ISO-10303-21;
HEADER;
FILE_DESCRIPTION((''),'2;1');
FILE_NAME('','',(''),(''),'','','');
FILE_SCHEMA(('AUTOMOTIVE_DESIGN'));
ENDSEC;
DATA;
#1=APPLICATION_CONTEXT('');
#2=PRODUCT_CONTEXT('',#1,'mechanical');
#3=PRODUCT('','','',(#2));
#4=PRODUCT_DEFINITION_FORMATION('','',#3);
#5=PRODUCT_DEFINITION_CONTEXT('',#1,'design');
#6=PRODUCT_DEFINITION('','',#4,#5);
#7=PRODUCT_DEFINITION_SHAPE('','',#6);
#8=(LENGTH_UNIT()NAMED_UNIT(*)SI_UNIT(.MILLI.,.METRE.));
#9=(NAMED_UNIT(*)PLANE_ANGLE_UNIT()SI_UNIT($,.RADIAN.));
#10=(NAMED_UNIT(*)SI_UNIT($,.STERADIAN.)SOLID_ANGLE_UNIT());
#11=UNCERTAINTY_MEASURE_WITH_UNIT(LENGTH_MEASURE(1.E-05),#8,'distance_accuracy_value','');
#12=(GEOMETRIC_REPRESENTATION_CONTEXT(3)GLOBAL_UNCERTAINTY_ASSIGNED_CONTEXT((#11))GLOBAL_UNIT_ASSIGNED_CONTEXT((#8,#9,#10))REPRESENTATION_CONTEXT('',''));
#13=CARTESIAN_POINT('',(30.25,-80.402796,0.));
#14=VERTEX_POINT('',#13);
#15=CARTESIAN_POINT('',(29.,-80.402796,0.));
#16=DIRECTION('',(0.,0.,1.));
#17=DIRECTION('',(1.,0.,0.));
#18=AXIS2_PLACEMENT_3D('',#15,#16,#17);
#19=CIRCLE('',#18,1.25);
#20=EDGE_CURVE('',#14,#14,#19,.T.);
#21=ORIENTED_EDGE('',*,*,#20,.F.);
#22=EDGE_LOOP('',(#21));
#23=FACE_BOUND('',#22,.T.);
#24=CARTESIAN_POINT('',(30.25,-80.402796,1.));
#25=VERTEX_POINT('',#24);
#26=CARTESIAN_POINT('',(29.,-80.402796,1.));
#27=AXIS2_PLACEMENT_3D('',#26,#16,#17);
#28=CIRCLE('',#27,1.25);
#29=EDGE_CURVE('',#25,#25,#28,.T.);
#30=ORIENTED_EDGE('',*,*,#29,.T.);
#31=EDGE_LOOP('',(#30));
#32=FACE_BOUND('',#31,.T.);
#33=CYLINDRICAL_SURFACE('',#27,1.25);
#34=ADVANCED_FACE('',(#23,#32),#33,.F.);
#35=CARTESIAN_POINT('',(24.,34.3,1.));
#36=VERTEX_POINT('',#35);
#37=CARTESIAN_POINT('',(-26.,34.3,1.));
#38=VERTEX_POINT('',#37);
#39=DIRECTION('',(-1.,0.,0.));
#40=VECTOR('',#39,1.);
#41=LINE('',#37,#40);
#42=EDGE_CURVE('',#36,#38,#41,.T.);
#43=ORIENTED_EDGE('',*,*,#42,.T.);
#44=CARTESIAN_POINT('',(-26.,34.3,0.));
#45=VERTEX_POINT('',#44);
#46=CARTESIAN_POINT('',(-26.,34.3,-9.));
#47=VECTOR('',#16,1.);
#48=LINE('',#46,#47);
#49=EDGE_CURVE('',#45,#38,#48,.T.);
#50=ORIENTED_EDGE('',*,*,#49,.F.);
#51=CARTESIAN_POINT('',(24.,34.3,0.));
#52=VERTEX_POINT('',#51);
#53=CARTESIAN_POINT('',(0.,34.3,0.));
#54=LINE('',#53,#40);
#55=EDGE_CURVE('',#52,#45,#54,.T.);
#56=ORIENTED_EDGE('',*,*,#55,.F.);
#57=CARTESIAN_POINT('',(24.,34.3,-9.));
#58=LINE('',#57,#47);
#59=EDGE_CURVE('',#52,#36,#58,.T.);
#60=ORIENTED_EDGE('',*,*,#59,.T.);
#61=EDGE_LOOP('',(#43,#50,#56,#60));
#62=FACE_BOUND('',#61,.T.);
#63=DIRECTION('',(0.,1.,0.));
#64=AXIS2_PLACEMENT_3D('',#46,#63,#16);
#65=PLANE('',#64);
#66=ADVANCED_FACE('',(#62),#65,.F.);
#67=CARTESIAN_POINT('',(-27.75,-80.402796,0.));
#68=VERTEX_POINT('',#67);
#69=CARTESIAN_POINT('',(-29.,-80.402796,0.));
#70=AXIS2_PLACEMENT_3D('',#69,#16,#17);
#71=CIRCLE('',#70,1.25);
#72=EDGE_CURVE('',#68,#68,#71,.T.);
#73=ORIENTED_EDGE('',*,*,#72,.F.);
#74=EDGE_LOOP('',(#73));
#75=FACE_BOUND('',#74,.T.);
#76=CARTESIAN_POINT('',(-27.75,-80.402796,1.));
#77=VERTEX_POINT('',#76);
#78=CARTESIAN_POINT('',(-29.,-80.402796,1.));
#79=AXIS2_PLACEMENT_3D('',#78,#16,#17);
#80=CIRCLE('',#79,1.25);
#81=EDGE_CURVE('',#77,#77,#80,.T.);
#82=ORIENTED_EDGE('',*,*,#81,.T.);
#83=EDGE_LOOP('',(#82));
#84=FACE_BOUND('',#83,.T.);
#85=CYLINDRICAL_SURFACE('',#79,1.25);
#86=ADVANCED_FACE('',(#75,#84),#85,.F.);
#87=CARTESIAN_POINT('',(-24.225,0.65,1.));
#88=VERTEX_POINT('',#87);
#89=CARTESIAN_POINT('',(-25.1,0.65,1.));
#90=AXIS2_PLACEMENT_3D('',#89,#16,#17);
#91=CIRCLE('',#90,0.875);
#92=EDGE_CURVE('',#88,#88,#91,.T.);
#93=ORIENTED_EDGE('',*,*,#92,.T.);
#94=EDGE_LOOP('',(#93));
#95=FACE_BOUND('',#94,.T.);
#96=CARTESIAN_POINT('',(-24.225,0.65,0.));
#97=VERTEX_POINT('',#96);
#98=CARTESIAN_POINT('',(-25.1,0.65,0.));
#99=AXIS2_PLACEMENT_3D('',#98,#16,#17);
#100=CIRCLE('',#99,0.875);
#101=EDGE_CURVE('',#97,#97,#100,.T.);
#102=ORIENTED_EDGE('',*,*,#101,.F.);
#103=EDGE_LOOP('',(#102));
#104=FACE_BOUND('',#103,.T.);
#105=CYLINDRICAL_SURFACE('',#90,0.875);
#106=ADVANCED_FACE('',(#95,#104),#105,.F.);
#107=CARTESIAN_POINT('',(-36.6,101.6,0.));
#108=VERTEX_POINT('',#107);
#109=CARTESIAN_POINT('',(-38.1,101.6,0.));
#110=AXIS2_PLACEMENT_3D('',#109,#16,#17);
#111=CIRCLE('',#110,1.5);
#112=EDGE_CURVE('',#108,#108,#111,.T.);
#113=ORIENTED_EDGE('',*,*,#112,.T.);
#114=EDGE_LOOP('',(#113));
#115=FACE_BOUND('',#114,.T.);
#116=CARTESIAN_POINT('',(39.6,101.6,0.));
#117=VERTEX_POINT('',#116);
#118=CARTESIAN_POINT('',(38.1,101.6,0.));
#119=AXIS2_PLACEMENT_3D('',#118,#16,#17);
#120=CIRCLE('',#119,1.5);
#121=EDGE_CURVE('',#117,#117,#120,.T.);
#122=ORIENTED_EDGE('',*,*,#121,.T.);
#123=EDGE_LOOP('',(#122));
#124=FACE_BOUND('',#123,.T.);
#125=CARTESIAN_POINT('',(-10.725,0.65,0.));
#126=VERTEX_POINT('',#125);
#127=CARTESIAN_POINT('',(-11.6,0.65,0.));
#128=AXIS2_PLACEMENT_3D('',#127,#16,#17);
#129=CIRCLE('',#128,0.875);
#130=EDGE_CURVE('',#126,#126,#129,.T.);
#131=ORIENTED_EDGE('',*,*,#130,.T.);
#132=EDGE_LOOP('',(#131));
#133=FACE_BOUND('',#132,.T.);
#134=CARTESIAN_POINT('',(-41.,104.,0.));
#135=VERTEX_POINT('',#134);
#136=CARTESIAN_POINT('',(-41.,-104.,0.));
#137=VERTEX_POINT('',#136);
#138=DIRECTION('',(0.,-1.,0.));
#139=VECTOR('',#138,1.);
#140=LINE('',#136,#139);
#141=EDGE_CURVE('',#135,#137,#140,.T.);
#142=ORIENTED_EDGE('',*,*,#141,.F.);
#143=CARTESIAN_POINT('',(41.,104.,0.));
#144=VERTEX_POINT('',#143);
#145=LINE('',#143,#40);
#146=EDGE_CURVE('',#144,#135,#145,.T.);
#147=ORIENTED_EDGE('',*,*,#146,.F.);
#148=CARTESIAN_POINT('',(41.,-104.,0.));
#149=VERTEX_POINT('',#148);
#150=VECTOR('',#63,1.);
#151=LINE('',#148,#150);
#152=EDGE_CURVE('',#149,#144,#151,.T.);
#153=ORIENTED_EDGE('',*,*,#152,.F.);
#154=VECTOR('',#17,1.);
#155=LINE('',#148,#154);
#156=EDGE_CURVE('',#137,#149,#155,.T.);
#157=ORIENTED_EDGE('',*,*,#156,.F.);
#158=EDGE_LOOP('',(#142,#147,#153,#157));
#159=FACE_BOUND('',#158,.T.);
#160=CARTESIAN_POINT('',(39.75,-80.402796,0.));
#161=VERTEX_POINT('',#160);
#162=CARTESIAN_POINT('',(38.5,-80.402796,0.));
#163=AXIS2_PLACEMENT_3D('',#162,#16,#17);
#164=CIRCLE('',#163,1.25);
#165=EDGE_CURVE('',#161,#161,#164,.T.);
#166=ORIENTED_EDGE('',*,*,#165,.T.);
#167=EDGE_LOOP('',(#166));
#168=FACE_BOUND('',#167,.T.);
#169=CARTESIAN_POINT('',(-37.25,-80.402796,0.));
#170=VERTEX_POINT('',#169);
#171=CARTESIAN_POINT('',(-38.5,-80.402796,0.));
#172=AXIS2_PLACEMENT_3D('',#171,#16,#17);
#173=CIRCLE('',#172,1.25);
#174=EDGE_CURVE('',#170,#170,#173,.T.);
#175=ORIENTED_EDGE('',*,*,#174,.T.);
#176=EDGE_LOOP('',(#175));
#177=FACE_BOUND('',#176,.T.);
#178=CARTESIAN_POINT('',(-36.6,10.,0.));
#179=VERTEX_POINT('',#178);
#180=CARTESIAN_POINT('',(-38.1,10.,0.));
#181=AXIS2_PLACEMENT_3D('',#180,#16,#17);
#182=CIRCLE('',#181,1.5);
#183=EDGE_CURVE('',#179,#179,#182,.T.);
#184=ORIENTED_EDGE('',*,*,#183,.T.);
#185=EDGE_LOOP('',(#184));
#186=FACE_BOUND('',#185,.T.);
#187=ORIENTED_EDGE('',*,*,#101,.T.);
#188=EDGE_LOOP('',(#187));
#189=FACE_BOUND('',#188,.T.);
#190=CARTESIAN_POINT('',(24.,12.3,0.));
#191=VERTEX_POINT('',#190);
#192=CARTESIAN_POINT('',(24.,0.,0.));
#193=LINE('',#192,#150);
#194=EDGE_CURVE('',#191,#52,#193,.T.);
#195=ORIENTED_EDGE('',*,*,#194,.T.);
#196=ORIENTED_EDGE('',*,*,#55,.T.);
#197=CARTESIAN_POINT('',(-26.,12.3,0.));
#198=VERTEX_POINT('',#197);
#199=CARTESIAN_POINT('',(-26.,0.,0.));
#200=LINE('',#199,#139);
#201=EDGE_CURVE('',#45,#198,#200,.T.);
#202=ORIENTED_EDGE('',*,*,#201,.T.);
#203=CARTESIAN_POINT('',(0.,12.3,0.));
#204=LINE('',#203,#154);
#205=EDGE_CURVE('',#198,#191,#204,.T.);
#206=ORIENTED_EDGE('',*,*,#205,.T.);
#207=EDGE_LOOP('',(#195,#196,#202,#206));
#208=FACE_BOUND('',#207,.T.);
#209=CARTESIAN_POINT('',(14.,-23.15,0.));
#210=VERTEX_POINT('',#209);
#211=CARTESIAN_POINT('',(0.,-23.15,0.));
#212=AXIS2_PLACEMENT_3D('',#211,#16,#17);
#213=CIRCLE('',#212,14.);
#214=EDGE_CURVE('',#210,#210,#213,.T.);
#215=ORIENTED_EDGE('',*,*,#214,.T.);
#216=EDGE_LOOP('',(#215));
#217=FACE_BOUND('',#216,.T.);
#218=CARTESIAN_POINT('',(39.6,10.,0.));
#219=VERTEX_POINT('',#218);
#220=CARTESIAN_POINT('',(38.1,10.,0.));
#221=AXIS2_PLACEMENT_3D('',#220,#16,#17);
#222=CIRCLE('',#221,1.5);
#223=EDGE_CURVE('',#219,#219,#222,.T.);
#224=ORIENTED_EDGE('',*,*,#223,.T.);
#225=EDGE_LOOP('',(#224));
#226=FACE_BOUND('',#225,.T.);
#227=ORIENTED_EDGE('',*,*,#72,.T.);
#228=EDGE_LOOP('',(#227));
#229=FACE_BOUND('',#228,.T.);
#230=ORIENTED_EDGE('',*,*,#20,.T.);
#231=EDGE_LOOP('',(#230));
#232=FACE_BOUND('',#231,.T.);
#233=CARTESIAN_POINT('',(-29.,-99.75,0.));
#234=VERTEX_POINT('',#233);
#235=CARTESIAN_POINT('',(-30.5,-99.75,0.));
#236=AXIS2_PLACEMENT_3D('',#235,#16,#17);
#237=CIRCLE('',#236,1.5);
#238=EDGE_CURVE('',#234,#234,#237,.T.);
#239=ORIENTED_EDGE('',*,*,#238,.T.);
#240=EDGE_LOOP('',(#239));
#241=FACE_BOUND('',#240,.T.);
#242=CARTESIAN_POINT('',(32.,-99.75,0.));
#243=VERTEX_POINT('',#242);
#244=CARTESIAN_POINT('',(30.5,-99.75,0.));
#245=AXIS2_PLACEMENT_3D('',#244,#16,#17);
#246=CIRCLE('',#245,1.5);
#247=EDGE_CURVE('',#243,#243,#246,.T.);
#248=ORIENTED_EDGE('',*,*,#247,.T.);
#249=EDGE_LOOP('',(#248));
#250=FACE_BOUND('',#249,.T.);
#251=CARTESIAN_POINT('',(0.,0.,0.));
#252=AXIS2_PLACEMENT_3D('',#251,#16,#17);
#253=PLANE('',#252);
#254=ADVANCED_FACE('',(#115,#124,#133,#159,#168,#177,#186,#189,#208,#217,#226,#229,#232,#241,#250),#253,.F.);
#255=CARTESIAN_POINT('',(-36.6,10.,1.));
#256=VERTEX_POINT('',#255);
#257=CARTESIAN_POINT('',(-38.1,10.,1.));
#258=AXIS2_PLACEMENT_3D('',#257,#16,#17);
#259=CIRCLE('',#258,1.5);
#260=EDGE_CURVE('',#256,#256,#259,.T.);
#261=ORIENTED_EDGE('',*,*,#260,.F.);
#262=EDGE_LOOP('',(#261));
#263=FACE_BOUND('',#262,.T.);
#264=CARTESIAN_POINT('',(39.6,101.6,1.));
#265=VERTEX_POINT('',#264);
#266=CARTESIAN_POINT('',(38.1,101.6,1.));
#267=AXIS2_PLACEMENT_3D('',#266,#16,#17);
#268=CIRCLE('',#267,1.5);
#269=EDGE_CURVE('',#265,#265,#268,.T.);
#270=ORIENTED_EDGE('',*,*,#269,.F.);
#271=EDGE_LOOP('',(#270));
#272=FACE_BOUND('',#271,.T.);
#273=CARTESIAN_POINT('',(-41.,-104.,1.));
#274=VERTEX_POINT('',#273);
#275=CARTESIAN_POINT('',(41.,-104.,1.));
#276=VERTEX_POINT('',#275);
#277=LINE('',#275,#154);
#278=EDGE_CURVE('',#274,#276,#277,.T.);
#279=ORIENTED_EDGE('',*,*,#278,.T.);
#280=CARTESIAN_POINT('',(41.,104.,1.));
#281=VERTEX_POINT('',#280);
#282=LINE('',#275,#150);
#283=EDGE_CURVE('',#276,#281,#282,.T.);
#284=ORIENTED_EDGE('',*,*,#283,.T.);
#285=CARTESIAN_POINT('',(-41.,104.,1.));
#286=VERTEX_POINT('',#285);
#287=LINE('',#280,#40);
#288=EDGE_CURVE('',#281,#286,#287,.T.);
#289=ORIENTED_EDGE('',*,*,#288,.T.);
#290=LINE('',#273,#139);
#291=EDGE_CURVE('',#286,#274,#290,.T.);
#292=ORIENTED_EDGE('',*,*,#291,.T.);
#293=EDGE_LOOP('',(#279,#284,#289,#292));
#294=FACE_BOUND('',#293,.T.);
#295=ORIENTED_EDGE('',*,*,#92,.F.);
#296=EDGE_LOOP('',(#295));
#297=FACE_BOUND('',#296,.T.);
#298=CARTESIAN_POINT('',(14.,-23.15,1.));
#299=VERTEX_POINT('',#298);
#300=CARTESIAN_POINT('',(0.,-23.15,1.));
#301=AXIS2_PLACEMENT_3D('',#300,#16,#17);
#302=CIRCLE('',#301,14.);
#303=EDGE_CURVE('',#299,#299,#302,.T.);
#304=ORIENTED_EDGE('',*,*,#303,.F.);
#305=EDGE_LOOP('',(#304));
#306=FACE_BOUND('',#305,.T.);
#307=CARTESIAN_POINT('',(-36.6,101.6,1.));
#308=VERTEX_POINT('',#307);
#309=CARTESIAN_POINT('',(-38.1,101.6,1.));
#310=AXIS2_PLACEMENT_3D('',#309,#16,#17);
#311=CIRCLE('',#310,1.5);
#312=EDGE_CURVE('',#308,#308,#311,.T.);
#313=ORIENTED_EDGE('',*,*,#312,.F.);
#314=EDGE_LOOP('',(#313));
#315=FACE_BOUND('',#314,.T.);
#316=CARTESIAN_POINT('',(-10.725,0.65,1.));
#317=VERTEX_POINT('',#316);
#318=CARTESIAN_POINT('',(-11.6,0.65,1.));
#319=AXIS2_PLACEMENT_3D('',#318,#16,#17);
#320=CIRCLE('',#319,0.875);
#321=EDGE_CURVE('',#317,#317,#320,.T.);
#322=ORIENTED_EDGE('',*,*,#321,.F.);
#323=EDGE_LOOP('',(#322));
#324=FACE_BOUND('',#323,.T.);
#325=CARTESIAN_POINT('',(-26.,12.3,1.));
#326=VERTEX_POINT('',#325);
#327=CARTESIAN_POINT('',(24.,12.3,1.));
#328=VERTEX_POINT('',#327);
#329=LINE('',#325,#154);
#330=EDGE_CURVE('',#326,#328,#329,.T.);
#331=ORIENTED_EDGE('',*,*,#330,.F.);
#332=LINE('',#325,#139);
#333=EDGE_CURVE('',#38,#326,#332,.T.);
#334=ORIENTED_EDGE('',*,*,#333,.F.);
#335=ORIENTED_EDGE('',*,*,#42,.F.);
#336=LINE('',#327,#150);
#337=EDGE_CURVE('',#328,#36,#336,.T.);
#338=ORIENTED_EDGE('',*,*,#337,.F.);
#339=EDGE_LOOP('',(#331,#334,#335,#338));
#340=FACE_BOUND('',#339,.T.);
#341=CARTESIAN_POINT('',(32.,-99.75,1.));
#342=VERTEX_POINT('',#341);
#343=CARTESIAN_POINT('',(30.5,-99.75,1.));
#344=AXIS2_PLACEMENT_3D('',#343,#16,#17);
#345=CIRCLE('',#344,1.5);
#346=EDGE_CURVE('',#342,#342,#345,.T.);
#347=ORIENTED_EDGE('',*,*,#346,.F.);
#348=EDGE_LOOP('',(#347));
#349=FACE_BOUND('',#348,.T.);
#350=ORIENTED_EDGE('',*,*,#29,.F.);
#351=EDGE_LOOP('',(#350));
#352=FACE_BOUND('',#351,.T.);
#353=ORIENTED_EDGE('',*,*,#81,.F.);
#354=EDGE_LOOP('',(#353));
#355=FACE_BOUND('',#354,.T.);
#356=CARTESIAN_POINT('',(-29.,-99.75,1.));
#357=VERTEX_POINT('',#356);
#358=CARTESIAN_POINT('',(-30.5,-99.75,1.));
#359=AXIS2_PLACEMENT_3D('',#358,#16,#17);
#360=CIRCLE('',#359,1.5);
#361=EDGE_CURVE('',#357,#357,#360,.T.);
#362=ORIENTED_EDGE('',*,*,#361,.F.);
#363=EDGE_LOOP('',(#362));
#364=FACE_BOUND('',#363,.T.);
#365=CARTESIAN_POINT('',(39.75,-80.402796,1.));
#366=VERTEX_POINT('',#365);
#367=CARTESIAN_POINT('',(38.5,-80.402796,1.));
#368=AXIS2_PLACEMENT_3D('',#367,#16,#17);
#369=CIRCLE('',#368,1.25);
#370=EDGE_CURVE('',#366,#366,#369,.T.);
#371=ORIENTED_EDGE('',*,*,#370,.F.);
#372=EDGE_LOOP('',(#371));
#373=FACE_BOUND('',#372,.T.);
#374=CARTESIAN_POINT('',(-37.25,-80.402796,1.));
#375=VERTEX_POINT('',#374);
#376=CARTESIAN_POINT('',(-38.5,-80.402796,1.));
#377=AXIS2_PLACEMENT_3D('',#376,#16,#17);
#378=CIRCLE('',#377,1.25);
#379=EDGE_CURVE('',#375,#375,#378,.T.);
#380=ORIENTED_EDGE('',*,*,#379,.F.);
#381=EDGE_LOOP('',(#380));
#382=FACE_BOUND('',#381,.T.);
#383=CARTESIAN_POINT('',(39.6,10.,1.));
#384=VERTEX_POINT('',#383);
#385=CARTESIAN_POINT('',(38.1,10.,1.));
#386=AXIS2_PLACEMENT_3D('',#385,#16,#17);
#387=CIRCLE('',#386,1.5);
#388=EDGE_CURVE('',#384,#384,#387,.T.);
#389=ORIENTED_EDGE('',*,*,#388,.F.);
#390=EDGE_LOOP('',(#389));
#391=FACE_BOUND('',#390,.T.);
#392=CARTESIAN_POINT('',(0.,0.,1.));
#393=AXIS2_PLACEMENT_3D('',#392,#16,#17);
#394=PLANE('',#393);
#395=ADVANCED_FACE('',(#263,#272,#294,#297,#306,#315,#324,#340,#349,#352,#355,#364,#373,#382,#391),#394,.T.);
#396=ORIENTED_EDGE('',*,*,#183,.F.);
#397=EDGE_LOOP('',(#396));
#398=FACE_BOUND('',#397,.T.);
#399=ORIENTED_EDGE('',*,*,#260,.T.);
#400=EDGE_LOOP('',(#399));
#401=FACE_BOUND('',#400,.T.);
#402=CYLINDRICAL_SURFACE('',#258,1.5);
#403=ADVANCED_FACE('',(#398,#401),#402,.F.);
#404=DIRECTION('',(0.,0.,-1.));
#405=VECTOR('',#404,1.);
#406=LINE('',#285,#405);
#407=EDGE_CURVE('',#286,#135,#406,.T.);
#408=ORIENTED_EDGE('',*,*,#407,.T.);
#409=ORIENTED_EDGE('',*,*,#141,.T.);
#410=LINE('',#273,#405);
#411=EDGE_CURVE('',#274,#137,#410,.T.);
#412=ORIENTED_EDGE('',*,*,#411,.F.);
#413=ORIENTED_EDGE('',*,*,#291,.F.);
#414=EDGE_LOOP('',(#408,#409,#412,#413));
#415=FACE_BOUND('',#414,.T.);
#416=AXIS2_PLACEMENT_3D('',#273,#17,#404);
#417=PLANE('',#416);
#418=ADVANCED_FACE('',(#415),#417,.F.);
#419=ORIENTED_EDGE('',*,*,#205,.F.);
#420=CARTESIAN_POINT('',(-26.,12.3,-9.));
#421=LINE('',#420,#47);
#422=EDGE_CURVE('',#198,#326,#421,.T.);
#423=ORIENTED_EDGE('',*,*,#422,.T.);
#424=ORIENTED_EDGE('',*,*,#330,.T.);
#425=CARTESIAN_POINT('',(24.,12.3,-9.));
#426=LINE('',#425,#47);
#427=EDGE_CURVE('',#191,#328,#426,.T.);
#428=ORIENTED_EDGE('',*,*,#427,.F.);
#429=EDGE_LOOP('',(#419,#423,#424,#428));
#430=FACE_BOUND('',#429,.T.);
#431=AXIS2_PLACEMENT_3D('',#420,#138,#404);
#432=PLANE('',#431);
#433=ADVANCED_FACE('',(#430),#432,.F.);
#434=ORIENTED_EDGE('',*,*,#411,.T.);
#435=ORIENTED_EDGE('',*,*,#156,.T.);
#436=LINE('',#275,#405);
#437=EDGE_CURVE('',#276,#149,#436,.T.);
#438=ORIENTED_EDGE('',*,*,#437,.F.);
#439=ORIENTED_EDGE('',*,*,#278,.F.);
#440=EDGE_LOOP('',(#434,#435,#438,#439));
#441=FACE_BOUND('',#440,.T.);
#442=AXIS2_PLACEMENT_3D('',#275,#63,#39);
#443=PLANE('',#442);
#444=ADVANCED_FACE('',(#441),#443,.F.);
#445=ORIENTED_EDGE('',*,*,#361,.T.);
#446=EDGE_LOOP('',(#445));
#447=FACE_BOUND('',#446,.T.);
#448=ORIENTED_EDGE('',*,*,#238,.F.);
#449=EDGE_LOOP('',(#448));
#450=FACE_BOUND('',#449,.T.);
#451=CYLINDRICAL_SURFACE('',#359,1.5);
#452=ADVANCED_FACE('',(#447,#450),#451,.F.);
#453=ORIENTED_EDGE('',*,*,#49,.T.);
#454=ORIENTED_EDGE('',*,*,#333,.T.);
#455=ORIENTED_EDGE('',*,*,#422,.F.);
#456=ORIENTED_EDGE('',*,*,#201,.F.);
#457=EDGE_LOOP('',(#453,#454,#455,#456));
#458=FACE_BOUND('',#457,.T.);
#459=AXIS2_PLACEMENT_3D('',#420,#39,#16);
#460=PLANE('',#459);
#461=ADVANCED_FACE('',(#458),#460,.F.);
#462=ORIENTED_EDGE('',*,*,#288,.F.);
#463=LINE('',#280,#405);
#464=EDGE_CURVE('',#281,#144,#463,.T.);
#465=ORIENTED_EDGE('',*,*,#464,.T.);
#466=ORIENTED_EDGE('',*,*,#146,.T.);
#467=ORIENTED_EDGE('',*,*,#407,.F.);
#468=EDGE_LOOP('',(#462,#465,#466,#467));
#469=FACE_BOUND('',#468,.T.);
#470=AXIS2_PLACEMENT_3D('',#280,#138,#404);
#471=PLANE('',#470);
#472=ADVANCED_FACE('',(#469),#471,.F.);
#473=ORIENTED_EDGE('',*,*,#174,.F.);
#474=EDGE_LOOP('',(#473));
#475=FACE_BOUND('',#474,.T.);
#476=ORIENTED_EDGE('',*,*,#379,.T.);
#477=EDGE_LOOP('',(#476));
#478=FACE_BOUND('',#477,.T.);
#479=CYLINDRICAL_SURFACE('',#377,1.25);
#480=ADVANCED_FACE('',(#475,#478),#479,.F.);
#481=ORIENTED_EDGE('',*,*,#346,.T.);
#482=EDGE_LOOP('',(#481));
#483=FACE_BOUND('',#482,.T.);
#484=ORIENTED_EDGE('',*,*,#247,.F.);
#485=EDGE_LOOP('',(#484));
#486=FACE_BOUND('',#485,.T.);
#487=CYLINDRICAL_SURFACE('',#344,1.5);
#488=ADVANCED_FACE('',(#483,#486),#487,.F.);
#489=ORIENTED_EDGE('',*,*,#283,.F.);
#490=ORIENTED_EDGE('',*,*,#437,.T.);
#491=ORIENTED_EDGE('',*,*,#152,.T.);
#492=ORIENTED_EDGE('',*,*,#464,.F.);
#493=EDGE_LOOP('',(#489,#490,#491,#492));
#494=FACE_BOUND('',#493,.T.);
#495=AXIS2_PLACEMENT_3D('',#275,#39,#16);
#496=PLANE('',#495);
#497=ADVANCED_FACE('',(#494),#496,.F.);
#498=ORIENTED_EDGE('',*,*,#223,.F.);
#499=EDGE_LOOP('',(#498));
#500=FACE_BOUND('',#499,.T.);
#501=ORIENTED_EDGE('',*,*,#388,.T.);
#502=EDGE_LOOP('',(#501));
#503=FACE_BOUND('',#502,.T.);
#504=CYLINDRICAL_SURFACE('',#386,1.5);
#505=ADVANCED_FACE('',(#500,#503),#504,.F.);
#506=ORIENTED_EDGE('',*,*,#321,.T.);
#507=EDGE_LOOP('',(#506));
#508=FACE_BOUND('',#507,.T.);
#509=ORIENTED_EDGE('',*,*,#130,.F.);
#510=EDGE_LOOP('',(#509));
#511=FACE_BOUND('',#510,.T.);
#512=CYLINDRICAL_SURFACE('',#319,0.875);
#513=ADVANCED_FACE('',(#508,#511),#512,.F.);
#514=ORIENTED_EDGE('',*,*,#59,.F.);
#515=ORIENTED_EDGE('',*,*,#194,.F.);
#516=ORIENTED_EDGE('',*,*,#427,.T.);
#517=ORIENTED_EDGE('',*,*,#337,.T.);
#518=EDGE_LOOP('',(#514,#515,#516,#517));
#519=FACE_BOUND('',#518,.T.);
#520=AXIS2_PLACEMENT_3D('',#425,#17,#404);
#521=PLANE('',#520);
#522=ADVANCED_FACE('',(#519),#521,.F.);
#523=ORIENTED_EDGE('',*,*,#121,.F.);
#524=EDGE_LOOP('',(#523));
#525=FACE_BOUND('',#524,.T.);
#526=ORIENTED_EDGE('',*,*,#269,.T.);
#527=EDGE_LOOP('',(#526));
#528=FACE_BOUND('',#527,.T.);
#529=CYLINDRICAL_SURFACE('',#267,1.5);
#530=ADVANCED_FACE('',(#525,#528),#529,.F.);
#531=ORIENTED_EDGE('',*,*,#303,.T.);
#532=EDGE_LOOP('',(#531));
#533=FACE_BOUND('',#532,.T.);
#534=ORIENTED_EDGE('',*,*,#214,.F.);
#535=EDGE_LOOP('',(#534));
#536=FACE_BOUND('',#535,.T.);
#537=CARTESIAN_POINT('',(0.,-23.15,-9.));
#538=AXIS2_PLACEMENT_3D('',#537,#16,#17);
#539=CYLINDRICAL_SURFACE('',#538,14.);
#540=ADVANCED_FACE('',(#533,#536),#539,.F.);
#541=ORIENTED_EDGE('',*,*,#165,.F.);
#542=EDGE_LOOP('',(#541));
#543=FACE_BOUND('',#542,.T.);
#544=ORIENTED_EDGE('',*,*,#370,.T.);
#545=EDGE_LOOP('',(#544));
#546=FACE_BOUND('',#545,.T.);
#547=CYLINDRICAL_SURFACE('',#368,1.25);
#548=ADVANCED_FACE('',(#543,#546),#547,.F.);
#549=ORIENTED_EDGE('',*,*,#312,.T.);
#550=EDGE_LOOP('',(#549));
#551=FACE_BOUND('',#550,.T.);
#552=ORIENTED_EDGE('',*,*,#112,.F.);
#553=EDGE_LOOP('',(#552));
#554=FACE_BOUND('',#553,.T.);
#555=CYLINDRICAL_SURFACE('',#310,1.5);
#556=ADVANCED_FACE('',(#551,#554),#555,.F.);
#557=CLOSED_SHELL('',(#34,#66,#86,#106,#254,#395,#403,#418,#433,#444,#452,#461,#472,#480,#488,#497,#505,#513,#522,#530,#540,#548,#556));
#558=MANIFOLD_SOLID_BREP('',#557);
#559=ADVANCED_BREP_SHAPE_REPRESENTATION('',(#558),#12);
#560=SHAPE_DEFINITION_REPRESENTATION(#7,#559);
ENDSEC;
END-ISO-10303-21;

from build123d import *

# Parameters (mm, degrees)
SKETCH1_W                    = 82
SKETCH1_H                    = 208
BOSS_EXTRUDE1_DEPTH          = 1
F_3_0_3_DIAMETER_HOLE1_D     = 3
SKETCH8_R                    = 14
CUT_EXTRUDE1_DEPTH           = 10
SKETCH11_W                   = 50
SKETCH11_H                   = 22
CUT_EXTRUDE2_DEPTH           = 10
F_2_5_2_5_DIAMETER_HOLE1_D   = 2.5
F_1_75_1_75_DIAMETER_HOLE1_D = 1.75


with BuildPart() as part:
    # Sketch1 → Boss-Extrude1 (new body)
    with BuildSketch(Plane.XY):
        Rectangle(SKETCH1_W, SKETCH1_H)
    extrude(amount=BOSS_EXTRUDE1_DEPTH)

    # Ø3.0 (3) Diameter Hole1 (through all)
    with Locations(Plane.XY.offset(1)):
        with Locations((-38.1, 10), (38.1, 10), (30.5, -99.75), (-30.5, -99.75), (-38.1, 101.59999968), (38.1, 101.59999968)):
            Hole(F_3_0_3_DIAMETER_HOLE1_D / 2)

    # Sketch8 → Cut-Extrude1 (cut)
    with BuildSketch(Plane.XY.offset(1)):
        with Locations((0, -23.15)):
            Circle(SKETCH8_R)
    extrude(amount=-CUT_EXTRUDE1_DEPTH, mode=Mode.SUBTRACT)

    # Sketch11 → Cut-Extrude2 (cut)
    with BuildSketch(Plane.XY.offset(1)):
        with Locations((-1, 23.3)):
            Rectangle(SKETCH11_W, SKETCH11_H)
    extrude(amount=-CUT_EXTRUDE2_DEPTH, mode=Mode.SUBTRACT)

    # Ø2.5 (2.5) Diameter Hole1 (through all)
    with Locations(Plane.XY.offset(1)):
        with Locations((-38.5, -80.402796493), (-29, -80.402796493), (29, -80.402796493), (38.5, -80.402796493)):
            Hole(F_2_5_2_5_DIAMETER_HOLE1_D / 2)

    # Ø1.75 (1.75) Diameter Hole1 (through all)
    with Locations(Plane.XY.offset(1)):
        with Locations((-25.1, 0.65), (-11.6, 0.65)):
            Hole(F_1_75_1_75_DIAMETER_HOLE1_D / 2)


solid = part.part
